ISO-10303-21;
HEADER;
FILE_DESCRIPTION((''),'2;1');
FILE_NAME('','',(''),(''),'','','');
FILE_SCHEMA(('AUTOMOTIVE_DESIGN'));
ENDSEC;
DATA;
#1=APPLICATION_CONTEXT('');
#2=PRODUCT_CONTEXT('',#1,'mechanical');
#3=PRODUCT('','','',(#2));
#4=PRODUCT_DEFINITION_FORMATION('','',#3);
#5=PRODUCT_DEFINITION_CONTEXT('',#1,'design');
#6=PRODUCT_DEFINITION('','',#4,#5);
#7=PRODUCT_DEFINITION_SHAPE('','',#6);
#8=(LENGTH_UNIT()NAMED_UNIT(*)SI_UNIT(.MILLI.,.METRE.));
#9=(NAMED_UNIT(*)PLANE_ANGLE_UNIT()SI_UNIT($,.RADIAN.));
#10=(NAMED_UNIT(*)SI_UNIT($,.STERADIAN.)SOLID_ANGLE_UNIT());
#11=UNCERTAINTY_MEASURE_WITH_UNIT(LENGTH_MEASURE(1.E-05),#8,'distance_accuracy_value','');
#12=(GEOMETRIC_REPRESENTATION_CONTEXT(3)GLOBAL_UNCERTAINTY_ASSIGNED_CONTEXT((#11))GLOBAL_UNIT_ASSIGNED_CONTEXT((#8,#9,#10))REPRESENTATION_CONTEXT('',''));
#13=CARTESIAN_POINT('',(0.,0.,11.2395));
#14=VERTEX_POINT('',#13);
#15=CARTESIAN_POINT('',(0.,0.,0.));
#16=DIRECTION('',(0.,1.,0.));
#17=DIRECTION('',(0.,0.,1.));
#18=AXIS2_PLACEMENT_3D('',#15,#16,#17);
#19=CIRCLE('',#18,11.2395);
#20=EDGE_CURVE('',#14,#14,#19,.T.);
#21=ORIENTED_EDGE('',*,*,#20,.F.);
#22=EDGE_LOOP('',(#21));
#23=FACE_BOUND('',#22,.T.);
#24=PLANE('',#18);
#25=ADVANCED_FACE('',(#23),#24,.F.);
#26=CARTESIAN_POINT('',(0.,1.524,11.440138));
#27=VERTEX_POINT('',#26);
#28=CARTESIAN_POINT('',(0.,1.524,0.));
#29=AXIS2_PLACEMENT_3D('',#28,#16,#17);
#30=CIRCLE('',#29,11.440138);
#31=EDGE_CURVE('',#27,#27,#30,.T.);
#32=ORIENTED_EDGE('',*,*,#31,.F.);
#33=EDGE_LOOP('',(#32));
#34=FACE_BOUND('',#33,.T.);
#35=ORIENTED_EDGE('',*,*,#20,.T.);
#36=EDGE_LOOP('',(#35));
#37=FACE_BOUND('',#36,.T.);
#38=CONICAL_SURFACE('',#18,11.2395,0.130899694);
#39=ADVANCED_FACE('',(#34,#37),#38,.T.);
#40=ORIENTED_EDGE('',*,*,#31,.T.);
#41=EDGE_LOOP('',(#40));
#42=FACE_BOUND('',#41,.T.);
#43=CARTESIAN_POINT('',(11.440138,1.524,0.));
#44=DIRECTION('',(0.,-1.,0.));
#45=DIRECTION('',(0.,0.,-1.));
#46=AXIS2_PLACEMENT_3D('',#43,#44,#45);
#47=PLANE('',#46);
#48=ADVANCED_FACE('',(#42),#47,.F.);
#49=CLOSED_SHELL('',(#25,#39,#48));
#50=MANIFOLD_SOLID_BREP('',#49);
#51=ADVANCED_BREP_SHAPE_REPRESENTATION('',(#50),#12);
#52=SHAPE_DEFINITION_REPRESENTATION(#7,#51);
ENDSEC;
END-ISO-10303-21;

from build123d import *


with BuildPart() as part:
    # Sketch2 → Revolve1 (revolve)
    with BuildSketch(Plane.XY, mode=Mode.PRIVATE) as revolve1_sk:
        Polygon((0, 0), (11.2395, 0), (11.440138406, 1.524), (0, 1.524), align=None)
    revolve(revolve1_sk.sketch.rotate(Axis((0, 1.524, 0), (0, -1, 0)), 90), axis=Axis((0, 1.524, 0), (0, -1, 0)))


solid = part.part
